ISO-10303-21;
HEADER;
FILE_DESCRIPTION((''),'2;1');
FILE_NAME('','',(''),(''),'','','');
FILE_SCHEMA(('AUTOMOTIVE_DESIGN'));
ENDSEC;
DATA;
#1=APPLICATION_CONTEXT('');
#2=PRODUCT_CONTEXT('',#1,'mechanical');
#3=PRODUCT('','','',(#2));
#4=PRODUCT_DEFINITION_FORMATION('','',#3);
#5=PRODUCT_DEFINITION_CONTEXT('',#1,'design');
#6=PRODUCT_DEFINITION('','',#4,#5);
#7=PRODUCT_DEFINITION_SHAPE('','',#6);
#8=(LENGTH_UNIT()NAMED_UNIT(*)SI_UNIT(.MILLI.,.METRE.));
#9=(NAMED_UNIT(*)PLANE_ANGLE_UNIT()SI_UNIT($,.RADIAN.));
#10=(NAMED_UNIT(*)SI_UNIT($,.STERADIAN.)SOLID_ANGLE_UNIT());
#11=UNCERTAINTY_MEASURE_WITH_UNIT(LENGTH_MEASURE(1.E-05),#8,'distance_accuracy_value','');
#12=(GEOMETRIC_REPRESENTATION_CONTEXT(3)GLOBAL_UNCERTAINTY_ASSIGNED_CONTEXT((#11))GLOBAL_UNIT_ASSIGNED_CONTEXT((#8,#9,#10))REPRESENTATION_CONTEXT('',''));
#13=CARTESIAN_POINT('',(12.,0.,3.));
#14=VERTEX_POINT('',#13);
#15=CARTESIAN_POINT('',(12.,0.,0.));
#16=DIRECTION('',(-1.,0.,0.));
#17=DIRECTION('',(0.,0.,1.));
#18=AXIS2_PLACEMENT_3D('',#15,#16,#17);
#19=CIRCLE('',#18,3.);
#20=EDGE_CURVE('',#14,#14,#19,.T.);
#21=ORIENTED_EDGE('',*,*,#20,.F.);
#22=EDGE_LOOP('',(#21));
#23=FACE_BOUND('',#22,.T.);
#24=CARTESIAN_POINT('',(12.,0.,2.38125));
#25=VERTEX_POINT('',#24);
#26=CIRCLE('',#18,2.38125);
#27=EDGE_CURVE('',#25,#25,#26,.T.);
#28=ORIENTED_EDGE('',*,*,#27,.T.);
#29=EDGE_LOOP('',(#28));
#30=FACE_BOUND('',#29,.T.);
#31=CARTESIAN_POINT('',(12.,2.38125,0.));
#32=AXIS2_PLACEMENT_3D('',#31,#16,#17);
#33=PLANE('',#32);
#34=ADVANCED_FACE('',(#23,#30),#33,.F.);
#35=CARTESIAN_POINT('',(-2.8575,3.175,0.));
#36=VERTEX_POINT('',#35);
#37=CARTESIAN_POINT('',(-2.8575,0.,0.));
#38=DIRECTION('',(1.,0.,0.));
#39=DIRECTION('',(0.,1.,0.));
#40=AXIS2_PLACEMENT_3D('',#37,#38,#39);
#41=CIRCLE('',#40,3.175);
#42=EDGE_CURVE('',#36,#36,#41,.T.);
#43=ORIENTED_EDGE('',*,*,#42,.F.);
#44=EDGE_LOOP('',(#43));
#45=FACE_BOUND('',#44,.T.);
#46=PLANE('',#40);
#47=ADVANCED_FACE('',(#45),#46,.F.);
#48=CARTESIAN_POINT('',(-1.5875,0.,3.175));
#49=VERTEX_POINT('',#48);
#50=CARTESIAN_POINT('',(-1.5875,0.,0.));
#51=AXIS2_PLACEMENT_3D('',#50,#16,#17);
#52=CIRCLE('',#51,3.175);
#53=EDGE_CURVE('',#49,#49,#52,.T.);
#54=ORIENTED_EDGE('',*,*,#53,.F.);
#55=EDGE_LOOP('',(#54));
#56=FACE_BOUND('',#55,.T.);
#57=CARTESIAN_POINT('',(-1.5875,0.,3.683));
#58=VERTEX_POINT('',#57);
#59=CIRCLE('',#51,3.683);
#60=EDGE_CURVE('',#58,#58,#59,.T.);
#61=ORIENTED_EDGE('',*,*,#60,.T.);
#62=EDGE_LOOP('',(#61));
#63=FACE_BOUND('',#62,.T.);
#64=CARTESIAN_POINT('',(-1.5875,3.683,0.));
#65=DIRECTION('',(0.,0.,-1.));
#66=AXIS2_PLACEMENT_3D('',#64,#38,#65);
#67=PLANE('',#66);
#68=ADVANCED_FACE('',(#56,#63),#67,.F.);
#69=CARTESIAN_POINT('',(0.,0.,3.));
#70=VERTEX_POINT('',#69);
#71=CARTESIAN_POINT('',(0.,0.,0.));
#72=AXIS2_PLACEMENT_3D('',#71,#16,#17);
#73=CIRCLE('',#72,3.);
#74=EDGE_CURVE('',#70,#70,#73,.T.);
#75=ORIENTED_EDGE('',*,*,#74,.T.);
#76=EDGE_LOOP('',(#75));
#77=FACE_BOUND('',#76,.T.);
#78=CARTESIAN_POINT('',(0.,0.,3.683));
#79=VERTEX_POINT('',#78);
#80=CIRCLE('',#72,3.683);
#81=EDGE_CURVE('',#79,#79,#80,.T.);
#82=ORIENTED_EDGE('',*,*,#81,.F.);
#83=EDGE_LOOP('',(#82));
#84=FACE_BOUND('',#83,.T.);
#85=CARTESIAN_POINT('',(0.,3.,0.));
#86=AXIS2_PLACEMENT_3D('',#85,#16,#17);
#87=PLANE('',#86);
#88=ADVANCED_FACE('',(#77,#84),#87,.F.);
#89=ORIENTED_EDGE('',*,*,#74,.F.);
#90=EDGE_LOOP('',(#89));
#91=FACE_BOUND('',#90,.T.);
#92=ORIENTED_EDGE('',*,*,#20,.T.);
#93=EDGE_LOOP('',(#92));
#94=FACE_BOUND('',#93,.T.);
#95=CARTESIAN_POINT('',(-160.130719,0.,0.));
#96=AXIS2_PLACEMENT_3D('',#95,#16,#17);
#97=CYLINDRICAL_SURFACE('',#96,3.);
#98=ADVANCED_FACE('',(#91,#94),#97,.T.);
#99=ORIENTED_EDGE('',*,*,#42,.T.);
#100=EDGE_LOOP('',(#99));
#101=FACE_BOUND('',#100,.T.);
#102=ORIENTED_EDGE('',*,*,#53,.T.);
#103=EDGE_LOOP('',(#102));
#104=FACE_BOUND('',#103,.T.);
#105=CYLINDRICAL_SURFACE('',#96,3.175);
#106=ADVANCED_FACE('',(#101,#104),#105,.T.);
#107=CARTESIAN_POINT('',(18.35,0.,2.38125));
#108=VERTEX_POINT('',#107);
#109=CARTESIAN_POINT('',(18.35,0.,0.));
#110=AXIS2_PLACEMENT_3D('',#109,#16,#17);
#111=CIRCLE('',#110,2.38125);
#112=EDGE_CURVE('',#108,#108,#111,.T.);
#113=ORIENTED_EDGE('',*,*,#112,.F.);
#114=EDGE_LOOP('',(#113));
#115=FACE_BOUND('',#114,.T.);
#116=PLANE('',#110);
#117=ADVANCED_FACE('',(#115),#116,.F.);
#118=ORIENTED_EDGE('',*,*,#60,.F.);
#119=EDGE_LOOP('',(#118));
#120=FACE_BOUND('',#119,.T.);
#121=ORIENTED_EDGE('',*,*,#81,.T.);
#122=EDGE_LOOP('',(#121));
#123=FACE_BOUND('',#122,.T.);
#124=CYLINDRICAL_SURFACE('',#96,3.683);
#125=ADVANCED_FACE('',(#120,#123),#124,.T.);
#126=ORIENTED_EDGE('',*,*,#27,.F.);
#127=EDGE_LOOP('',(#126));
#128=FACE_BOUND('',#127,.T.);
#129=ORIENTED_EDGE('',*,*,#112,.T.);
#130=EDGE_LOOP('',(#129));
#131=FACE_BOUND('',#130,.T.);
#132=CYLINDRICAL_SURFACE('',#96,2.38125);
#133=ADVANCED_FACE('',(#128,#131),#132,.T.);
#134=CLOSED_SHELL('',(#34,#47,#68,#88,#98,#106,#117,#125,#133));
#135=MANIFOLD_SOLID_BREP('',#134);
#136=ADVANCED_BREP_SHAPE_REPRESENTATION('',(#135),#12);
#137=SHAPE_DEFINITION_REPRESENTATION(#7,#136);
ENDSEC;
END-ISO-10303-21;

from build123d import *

# Parameters (mm, degrees)
SKETCH2_R          = 6.35
CUT_EXTRUDE1_DEPTH = 4.4925


with BuildPart() as part:
    # Sketch1 → Revolve1 (revolve)
    with BuildSketch(Plane.XY):
        Polygon((-6.35, 0), (18.35, 0), (18.35, 2.38125), (12, 2.38125), (12, 3), (0, 3), (0, 3.683), (-1.5875, 3.683), (-1.5875, 3.175), (-6.35, 3.175), align=None)
    revolve(axis=Axis((-160.130718954, 0, 0), (1, 0, 0)))

    # Sketch2 → Cut-Extrude1 (cut, through all)
    with BuildSketch(Plane(origin=(-2.8575, -8.19662542, -7.078645384), x_dir=(0, -0.923004378, -0.384789447), z_dir=(1, 0, 0))):
        with Locations((-10.289309191, -3.379645711)):
            Circle(SKETCH2_R)
    extrude(amount=-CUT_EXTRUDE1_DEPTH, mode=Mode.SUBTRACT)


solid = part.part
